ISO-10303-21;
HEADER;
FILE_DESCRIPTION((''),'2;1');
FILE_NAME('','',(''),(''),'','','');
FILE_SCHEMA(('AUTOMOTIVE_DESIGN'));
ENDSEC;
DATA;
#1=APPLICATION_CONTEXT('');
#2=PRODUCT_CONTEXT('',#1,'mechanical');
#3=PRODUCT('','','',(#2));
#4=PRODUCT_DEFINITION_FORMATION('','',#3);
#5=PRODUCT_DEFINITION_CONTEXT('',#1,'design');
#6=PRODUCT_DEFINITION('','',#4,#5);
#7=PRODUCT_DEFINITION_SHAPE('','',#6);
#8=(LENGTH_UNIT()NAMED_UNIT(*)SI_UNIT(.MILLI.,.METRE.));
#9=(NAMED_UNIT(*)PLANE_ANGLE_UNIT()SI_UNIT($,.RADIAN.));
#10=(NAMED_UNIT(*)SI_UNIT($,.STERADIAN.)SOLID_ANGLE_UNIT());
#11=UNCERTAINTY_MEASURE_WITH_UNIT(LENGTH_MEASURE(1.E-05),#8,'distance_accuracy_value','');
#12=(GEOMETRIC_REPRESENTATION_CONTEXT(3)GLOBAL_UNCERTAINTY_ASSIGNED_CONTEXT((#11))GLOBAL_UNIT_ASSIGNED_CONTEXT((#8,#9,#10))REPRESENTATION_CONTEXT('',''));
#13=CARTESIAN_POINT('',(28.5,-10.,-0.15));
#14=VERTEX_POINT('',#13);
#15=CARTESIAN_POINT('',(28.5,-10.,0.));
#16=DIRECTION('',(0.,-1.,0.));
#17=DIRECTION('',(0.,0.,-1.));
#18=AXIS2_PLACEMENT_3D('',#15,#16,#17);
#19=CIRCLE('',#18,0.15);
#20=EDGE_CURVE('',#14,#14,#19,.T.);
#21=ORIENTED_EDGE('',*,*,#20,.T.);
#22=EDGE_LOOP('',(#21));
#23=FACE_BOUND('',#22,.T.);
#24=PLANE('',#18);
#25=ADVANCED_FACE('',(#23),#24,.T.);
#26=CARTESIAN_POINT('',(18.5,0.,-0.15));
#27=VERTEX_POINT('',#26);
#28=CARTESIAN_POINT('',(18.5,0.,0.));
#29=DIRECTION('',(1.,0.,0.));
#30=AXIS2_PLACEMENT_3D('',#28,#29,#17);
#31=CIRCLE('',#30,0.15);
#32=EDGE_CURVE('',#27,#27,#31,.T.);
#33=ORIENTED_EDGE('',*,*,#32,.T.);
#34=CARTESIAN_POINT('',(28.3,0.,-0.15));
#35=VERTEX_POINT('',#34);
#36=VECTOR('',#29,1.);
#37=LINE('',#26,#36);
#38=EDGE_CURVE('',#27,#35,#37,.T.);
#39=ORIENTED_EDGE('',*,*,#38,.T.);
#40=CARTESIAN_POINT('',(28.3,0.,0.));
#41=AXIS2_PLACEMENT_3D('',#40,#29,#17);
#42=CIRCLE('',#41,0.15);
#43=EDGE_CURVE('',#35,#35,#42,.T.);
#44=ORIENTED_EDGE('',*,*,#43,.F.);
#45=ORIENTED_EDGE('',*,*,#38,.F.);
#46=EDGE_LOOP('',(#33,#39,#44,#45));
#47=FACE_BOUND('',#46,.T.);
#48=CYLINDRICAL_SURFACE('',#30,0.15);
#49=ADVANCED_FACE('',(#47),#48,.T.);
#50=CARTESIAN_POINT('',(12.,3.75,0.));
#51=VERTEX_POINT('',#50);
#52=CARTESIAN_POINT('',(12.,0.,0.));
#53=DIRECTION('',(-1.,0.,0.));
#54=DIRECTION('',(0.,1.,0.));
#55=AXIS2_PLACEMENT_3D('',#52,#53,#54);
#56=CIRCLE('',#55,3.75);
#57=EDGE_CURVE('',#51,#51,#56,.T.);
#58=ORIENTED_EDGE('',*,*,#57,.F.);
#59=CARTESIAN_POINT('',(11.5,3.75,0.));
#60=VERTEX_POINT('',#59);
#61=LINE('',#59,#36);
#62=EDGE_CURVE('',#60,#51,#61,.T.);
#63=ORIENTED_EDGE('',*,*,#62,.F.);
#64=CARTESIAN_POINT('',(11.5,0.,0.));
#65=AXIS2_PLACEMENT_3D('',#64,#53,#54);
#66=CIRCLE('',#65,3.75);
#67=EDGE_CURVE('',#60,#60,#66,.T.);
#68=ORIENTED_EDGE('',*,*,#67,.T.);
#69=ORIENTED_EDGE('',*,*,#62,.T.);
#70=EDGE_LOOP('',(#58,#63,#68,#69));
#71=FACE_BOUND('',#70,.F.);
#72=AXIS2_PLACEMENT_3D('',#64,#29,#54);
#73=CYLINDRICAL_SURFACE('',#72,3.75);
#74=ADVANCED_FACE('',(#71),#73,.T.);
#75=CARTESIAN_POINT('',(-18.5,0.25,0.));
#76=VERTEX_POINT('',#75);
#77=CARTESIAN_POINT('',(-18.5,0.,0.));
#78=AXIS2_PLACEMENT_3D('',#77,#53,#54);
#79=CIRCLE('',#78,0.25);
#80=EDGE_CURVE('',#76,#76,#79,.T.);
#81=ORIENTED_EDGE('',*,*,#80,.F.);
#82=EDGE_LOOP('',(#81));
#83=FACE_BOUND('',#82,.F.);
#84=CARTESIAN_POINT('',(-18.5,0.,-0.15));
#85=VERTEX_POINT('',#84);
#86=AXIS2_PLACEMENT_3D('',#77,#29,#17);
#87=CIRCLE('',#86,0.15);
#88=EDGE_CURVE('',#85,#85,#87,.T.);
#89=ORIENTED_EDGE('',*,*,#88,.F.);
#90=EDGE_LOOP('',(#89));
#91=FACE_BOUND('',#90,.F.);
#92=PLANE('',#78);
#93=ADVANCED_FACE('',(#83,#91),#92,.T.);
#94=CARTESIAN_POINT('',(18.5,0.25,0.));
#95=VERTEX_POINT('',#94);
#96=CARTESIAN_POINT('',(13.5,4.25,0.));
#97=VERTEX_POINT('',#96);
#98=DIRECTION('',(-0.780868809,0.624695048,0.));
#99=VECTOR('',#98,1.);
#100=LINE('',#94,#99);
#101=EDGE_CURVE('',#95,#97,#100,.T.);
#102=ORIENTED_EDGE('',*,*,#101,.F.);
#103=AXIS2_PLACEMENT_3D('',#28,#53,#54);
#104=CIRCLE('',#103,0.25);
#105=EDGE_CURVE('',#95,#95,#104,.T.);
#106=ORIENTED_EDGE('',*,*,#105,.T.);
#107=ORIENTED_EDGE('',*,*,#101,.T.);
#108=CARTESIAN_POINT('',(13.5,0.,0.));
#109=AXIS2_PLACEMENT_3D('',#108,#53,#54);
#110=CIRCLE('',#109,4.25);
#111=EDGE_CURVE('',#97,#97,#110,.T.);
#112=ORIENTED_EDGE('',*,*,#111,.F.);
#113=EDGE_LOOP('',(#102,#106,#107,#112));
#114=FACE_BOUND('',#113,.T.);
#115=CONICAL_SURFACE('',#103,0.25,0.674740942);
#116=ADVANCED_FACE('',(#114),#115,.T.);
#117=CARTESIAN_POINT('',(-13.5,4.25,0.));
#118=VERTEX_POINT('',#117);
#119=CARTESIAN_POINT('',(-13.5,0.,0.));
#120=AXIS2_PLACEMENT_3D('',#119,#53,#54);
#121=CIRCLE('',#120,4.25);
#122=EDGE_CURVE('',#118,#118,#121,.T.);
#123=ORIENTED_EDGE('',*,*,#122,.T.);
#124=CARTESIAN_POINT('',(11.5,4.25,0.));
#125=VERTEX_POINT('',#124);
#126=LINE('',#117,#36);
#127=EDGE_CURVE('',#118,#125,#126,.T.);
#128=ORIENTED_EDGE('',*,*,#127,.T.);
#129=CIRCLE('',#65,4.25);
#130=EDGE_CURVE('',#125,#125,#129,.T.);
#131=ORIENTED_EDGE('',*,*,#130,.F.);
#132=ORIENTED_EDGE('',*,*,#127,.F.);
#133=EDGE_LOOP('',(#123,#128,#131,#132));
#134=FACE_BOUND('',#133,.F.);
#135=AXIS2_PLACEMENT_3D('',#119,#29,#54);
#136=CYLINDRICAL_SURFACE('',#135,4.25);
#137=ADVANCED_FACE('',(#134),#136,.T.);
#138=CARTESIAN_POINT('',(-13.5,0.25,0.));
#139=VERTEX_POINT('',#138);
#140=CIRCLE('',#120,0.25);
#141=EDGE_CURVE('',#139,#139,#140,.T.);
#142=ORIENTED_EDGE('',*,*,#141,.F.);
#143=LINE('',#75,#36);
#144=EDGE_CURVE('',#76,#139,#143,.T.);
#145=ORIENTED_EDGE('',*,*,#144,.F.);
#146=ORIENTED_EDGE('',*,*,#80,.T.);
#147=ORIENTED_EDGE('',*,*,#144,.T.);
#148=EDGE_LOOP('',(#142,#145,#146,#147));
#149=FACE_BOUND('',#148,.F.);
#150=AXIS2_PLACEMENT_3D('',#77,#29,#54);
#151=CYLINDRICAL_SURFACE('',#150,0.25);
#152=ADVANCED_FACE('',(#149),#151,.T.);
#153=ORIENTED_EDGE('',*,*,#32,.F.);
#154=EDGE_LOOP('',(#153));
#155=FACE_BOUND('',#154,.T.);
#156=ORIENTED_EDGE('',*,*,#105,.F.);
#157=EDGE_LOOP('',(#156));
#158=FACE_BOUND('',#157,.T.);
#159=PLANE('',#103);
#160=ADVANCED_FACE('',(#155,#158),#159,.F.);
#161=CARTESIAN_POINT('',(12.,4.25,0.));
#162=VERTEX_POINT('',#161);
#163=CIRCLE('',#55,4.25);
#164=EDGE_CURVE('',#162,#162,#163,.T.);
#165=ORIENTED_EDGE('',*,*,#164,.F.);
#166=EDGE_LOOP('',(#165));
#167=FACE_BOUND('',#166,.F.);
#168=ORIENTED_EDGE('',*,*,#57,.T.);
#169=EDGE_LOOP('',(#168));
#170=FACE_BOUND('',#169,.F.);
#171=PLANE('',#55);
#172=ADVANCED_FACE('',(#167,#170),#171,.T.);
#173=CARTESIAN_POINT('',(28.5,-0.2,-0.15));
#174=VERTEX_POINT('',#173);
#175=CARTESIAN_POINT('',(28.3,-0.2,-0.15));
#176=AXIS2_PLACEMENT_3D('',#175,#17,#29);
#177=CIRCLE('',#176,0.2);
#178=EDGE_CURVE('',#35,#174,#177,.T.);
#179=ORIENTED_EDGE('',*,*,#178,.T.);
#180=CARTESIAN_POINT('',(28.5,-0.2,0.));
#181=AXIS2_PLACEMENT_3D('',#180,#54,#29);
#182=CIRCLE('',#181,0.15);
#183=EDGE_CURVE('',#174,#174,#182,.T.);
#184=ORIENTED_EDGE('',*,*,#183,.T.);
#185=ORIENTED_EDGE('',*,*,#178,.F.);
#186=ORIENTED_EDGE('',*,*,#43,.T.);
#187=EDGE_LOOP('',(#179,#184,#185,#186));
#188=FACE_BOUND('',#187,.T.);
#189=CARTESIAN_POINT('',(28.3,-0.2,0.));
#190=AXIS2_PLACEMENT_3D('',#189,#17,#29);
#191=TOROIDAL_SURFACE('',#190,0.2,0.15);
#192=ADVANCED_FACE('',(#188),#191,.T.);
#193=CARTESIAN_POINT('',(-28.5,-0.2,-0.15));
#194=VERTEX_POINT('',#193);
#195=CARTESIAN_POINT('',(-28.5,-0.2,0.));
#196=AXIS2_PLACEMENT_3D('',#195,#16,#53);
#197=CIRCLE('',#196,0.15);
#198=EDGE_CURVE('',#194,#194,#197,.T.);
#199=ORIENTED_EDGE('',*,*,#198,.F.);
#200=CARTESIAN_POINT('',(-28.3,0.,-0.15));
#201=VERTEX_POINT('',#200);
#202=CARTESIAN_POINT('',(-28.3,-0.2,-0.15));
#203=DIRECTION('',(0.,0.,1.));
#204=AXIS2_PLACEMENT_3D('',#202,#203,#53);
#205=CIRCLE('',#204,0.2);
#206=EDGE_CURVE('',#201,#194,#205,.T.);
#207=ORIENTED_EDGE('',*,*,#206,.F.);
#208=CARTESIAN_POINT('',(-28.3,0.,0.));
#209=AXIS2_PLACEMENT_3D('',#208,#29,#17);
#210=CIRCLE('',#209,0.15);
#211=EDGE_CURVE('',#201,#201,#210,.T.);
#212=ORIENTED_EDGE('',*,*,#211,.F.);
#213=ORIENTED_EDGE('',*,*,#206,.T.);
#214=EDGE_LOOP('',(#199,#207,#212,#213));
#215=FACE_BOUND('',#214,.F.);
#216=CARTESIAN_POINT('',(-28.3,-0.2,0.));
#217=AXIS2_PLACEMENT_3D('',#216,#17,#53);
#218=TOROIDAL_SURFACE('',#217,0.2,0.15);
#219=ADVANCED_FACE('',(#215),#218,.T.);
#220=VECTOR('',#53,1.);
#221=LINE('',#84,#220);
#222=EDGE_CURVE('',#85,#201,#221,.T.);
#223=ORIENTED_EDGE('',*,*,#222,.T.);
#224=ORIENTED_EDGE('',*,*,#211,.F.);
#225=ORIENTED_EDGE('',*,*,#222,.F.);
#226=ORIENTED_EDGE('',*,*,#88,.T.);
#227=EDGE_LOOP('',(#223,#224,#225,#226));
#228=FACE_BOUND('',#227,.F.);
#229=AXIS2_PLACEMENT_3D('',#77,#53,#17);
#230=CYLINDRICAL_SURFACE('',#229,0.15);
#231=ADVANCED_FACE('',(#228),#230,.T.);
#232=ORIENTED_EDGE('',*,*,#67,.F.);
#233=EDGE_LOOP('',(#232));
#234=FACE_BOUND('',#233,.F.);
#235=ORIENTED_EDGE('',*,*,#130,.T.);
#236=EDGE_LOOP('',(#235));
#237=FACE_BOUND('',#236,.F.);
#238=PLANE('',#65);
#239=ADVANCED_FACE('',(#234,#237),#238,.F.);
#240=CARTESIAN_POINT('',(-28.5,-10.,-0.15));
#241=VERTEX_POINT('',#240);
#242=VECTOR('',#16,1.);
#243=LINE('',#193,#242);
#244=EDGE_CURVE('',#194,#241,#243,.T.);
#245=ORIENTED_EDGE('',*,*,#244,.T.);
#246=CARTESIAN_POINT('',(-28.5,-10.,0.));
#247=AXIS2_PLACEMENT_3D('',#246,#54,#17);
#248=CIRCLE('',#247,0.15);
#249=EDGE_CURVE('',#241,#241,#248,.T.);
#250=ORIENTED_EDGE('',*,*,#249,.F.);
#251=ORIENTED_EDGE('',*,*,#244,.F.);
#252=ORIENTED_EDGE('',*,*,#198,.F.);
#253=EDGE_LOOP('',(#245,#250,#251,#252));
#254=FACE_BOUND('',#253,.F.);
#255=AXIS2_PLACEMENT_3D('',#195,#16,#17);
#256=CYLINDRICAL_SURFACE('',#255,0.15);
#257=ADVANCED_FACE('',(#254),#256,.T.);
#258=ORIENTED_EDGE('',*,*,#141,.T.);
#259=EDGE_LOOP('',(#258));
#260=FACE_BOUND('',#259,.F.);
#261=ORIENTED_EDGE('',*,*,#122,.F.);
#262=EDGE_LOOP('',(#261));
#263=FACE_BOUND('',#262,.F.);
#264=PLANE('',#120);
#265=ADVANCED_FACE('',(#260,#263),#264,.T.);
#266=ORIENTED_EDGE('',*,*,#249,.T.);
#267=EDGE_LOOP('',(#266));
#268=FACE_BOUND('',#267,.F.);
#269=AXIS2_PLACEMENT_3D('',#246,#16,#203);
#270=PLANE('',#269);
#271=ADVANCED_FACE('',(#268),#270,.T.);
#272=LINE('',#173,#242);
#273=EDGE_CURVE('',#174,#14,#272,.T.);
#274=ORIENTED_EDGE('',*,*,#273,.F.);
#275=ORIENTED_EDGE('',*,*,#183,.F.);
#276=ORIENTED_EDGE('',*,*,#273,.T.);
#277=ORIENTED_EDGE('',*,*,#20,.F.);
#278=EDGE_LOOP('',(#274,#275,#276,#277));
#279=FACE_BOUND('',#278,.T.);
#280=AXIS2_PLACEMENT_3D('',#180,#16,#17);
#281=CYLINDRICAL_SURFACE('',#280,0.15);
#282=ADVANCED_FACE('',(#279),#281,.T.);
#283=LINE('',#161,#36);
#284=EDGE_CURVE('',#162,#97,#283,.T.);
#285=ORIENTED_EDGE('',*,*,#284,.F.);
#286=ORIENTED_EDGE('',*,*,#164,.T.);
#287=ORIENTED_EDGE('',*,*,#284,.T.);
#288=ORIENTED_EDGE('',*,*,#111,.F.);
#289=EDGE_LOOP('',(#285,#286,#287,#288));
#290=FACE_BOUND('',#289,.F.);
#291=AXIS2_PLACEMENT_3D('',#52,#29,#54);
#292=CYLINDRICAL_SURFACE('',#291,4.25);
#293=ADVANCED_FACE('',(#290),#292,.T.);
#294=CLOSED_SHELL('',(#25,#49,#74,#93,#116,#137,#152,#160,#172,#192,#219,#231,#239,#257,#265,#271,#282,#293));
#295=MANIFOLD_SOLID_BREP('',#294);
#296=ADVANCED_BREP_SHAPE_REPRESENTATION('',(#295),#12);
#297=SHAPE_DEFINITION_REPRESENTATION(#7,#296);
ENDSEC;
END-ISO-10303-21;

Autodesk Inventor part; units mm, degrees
ref_plane "YZ Plane" through (0, 0, 0) normal (1, 0, 0) x (0, 1, 0)
ref_plane "XZ Plane" through (0, 0, 0) normal (0, 1, 0) x (-1, 0, 0)
ref_plane "XY Plane" through (0, 0, 0) normal (0, 0, 1) x (1, 0, 0)
sketch "Sketch1" plane through (0, 0, 0) normal (0, 0, 1) x (1, 0, 0)
  line L0 (-18.5, 0) -> (-18.5, 0.25)
  line L1 (-18.5, 0.25) -> (-13.5, 0.25)
  line L2 (-13.5, 0.25) -> (-13.5, 4.25)
  line L3 (-13.5, 4.25) -> (11.5, 4.25)
  line L4 (11.5, 4.25) -> (11.5, 3.75)
  line L5 (11.5, 3.75) -> (12, 3.75)
  line L6 (12, 3.75) -> (12, 4.25)
  line L7 (12, 4.25) -> (13.5, 4.25)
  line L8 (18.5, 0) -> (18.5, 0.25)
  line L9 (18.5, 0.25) -> (13.5, 4.25)
  line L10 (18.5, 0) -> (-18.5, 0)
  point P0 (0, 0)
  dimension "d0" = 0.25
  dimension "d1" = 5
  dimension "d2" = 4
  dimension "d8" = 25
  dimension "d9" = 0.5
  dimension "d10" = 0.5
  dimension "d11" = 0.5
  dimension "d12" = 1.5
  dimension "d14" = 0.25
revolve "Revolution1" add sketch "Sketch1" angle 360 about axis through (18.5, 0, 0) along (-1, 0, 0)
sketch "Sketch2" plane through (0, 0, 0) normal (0, 0, 1) x (1, 0, 0)
  line L0 (18.5, 0.25) -> (18.5, -0.25) projected
  line L1 (18.5, 0) -> (28.3, 0)
  line L2 (28.5, -0.2) -> (28.5, -10)
  arc A0 (28.5, -0.2) -> (28.3, 0) centre (28.3, -0.2) ccw
  point P0 (0, 0)
  point P1 (28.5, 0)
  dimension "d16" = 10
  dimension "d17" = 10
  dimension "d18" = 0.2
ref_plane "Work Plane1" through (18.5, 0, 0) normal (1, 0, 0) x (0, 0, -1)
sketch "Sketch3" plane through (18.5, 0, 0) normal (1, 0, 0) x (0, 0, -1)
  circle A0 centre (0, 0) radius 0.15
  dimension "d20" = 0.3
sweep "Sweep1" add profiles "Sketch3" path "Sketch2" path curves L1 A0 L2
mirror "Mirror1" about plane through (0, 0, 0) normal (1, 0, 0) of "Sweep1"
equation "\"BendRadius\" = Thickness"
equation "\"BendReliefWidth\" = Thickness"
equation "\"BendReliefDepth\" = 0.5 * Thickness"
equation "\"CornerReliefSize\" = 4 * Thickness"
equation "\"MinimumRemnant\" = 2 * Thickness"
equation "\"TransitionRadius\" = BendRadius"
equation "\"JacobiRadiusSize\" = BendRadius"
equation "\"GapSize\" = Thickness"
equation "\"Thickness\" = 3.048"
properties part number "K50-29"
